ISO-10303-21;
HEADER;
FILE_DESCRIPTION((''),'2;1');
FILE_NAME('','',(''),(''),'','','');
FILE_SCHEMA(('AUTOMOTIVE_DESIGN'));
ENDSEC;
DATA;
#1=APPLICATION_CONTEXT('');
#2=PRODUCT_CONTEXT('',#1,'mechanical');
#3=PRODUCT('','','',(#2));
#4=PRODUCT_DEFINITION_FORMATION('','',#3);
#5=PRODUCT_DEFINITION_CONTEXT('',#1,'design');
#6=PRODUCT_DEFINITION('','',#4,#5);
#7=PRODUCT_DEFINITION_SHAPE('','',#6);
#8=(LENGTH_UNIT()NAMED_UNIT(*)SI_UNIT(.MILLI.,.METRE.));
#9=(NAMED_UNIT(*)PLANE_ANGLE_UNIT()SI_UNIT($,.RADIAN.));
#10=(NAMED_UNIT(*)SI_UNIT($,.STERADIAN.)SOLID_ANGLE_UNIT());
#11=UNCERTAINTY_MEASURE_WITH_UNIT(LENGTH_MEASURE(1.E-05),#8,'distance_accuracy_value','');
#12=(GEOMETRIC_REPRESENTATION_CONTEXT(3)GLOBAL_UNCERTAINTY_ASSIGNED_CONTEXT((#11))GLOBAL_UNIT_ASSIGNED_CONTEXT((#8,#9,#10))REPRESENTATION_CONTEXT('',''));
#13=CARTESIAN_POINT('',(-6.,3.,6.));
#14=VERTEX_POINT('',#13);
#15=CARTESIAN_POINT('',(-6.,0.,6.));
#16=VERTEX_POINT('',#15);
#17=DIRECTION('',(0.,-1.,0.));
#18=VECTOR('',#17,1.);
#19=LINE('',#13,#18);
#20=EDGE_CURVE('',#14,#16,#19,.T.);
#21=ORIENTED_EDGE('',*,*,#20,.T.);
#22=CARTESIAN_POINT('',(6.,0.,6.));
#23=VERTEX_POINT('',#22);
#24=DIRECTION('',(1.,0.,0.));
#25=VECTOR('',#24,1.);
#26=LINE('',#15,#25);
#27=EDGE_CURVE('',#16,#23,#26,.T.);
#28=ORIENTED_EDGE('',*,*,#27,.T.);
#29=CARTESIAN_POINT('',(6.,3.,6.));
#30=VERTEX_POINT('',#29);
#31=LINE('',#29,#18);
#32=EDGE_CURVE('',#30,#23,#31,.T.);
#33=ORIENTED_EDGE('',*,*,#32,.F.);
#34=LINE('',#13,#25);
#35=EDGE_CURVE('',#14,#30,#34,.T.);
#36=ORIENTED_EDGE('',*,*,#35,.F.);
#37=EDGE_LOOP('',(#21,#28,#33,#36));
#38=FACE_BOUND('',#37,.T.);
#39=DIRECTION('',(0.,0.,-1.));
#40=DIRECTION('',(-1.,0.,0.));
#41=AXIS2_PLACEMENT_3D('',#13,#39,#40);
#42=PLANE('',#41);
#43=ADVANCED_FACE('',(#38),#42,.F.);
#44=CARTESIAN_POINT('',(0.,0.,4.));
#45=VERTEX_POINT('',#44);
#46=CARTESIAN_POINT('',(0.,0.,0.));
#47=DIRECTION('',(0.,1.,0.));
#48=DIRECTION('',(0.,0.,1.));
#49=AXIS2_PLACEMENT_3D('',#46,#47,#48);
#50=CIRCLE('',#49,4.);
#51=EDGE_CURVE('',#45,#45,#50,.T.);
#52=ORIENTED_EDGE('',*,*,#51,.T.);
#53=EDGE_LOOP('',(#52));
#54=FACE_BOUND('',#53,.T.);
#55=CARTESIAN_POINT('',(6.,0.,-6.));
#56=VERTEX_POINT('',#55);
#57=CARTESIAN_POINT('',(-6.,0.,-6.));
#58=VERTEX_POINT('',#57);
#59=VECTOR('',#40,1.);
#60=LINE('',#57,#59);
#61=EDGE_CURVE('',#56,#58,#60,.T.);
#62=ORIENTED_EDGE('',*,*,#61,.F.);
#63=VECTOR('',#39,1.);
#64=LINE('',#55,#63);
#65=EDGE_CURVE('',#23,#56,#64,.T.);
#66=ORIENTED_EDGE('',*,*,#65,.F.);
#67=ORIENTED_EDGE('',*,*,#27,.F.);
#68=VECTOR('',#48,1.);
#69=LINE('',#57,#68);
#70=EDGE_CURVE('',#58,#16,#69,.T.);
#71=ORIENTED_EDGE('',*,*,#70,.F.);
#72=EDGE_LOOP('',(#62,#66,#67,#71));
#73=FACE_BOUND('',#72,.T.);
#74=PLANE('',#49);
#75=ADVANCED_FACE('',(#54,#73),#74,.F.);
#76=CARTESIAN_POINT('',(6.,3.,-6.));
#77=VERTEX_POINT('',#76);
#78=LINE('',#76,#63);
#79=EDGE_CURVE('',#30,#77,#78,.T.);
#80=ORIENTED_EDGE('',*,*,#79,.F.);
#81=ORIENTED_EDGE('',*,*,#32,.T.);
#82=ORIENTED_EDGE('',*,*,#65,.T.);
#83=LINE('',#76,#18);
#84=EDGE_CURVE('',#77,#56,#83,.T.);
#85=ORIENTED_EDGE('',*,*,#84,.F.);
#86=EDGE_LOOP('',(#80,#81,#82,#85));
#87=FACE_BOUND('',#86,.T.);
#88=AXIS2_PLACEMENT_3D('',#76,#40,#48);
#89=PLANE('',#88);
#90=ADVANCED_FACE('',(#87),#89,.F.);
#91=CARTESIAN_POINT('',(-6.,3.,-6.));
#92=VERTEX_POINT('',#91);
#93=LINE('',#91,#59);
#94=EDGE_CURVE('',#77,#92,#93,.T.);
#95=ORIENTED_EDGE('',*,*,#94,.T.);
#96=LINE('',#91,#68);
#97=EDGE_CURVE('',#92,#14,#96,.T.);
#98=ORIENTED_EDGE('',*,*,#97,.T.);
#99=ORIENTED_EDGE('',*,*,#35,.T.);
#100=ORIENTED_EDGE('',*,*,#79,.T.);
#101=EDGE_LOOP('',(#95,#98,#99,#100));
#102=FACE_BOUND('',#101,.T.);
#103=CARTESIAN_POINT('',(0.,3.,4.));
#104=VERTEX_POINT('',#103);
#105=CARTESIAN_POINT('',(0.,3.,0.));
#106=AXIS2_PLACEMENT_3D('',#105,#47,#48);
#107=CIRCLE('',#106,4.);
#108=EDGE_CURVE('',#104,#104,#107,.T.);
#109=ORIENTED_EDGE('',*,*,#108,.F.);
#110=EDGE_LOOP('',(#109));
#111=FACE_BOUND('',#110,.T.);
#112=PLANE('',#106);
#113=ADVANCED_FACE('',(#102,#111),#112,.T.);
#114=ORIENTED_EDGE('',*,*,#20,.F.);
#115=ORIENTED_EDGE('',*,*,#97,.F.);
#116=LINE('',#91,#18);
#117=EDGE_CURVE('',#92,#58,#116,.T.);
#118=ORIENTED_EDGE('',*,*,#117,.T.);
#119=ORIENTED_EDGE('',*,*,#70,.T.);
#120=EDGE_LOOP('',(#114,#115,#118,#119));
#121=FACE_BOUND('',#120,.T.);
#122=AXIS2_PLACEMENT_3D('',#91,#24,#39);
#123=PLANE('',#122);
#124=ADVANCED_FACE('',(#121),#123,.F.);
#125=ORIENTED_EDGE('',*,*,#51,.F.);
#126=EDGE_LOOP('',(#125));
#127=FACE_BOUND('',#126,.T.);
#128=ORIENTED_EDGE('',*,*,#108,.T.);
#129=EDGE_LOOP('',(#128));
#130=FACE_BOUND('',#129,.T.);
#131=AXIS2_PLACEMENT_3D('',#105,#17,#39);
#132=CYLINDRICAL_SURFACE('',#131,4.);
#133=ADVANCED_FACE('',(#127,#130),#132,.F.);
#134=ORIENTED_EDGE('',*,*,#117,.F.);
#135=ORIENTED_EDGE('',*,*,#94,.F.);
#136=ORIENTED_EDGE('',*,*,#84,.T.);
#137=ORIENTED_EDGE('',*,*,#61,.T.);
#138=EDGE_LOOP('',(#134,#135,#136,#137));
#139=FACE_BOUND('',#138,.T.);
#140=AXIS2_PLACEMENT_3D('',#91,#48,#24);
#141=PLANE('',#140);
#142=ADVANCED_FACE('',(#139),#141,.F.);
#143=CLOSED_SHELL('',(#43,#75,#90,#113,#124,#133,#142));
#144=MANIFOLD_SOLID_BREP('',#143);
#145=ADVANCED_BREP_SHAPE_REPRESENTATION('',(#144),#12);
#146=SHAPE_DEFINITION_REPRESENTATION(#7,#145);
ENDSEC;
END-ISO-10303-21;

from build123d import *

# Parameters (mm, degrees)
SKETCH1_W           = 12
SKETCH1_H           = 12
SKETCH1_R           = 4
BOSS_EXTRUDE2_DEPTH = 3


with BuildPart() as part:
    # Sketch1 → Boss-Extrude2 (new body)
    with BuildSketch(Plane(origin=(0, 0, 0), x_dir=(1, 0, 0), z_dir=(0, 1, 0))):
        Rectangle(SKETCH1_W, SKETCH1_H)
        Circle(SKETCH1_R, mode=Mode.SUBTRACT)
    extrude(amount=BOSS_EXTRUDE2_DEPTH)


solid = part.part
